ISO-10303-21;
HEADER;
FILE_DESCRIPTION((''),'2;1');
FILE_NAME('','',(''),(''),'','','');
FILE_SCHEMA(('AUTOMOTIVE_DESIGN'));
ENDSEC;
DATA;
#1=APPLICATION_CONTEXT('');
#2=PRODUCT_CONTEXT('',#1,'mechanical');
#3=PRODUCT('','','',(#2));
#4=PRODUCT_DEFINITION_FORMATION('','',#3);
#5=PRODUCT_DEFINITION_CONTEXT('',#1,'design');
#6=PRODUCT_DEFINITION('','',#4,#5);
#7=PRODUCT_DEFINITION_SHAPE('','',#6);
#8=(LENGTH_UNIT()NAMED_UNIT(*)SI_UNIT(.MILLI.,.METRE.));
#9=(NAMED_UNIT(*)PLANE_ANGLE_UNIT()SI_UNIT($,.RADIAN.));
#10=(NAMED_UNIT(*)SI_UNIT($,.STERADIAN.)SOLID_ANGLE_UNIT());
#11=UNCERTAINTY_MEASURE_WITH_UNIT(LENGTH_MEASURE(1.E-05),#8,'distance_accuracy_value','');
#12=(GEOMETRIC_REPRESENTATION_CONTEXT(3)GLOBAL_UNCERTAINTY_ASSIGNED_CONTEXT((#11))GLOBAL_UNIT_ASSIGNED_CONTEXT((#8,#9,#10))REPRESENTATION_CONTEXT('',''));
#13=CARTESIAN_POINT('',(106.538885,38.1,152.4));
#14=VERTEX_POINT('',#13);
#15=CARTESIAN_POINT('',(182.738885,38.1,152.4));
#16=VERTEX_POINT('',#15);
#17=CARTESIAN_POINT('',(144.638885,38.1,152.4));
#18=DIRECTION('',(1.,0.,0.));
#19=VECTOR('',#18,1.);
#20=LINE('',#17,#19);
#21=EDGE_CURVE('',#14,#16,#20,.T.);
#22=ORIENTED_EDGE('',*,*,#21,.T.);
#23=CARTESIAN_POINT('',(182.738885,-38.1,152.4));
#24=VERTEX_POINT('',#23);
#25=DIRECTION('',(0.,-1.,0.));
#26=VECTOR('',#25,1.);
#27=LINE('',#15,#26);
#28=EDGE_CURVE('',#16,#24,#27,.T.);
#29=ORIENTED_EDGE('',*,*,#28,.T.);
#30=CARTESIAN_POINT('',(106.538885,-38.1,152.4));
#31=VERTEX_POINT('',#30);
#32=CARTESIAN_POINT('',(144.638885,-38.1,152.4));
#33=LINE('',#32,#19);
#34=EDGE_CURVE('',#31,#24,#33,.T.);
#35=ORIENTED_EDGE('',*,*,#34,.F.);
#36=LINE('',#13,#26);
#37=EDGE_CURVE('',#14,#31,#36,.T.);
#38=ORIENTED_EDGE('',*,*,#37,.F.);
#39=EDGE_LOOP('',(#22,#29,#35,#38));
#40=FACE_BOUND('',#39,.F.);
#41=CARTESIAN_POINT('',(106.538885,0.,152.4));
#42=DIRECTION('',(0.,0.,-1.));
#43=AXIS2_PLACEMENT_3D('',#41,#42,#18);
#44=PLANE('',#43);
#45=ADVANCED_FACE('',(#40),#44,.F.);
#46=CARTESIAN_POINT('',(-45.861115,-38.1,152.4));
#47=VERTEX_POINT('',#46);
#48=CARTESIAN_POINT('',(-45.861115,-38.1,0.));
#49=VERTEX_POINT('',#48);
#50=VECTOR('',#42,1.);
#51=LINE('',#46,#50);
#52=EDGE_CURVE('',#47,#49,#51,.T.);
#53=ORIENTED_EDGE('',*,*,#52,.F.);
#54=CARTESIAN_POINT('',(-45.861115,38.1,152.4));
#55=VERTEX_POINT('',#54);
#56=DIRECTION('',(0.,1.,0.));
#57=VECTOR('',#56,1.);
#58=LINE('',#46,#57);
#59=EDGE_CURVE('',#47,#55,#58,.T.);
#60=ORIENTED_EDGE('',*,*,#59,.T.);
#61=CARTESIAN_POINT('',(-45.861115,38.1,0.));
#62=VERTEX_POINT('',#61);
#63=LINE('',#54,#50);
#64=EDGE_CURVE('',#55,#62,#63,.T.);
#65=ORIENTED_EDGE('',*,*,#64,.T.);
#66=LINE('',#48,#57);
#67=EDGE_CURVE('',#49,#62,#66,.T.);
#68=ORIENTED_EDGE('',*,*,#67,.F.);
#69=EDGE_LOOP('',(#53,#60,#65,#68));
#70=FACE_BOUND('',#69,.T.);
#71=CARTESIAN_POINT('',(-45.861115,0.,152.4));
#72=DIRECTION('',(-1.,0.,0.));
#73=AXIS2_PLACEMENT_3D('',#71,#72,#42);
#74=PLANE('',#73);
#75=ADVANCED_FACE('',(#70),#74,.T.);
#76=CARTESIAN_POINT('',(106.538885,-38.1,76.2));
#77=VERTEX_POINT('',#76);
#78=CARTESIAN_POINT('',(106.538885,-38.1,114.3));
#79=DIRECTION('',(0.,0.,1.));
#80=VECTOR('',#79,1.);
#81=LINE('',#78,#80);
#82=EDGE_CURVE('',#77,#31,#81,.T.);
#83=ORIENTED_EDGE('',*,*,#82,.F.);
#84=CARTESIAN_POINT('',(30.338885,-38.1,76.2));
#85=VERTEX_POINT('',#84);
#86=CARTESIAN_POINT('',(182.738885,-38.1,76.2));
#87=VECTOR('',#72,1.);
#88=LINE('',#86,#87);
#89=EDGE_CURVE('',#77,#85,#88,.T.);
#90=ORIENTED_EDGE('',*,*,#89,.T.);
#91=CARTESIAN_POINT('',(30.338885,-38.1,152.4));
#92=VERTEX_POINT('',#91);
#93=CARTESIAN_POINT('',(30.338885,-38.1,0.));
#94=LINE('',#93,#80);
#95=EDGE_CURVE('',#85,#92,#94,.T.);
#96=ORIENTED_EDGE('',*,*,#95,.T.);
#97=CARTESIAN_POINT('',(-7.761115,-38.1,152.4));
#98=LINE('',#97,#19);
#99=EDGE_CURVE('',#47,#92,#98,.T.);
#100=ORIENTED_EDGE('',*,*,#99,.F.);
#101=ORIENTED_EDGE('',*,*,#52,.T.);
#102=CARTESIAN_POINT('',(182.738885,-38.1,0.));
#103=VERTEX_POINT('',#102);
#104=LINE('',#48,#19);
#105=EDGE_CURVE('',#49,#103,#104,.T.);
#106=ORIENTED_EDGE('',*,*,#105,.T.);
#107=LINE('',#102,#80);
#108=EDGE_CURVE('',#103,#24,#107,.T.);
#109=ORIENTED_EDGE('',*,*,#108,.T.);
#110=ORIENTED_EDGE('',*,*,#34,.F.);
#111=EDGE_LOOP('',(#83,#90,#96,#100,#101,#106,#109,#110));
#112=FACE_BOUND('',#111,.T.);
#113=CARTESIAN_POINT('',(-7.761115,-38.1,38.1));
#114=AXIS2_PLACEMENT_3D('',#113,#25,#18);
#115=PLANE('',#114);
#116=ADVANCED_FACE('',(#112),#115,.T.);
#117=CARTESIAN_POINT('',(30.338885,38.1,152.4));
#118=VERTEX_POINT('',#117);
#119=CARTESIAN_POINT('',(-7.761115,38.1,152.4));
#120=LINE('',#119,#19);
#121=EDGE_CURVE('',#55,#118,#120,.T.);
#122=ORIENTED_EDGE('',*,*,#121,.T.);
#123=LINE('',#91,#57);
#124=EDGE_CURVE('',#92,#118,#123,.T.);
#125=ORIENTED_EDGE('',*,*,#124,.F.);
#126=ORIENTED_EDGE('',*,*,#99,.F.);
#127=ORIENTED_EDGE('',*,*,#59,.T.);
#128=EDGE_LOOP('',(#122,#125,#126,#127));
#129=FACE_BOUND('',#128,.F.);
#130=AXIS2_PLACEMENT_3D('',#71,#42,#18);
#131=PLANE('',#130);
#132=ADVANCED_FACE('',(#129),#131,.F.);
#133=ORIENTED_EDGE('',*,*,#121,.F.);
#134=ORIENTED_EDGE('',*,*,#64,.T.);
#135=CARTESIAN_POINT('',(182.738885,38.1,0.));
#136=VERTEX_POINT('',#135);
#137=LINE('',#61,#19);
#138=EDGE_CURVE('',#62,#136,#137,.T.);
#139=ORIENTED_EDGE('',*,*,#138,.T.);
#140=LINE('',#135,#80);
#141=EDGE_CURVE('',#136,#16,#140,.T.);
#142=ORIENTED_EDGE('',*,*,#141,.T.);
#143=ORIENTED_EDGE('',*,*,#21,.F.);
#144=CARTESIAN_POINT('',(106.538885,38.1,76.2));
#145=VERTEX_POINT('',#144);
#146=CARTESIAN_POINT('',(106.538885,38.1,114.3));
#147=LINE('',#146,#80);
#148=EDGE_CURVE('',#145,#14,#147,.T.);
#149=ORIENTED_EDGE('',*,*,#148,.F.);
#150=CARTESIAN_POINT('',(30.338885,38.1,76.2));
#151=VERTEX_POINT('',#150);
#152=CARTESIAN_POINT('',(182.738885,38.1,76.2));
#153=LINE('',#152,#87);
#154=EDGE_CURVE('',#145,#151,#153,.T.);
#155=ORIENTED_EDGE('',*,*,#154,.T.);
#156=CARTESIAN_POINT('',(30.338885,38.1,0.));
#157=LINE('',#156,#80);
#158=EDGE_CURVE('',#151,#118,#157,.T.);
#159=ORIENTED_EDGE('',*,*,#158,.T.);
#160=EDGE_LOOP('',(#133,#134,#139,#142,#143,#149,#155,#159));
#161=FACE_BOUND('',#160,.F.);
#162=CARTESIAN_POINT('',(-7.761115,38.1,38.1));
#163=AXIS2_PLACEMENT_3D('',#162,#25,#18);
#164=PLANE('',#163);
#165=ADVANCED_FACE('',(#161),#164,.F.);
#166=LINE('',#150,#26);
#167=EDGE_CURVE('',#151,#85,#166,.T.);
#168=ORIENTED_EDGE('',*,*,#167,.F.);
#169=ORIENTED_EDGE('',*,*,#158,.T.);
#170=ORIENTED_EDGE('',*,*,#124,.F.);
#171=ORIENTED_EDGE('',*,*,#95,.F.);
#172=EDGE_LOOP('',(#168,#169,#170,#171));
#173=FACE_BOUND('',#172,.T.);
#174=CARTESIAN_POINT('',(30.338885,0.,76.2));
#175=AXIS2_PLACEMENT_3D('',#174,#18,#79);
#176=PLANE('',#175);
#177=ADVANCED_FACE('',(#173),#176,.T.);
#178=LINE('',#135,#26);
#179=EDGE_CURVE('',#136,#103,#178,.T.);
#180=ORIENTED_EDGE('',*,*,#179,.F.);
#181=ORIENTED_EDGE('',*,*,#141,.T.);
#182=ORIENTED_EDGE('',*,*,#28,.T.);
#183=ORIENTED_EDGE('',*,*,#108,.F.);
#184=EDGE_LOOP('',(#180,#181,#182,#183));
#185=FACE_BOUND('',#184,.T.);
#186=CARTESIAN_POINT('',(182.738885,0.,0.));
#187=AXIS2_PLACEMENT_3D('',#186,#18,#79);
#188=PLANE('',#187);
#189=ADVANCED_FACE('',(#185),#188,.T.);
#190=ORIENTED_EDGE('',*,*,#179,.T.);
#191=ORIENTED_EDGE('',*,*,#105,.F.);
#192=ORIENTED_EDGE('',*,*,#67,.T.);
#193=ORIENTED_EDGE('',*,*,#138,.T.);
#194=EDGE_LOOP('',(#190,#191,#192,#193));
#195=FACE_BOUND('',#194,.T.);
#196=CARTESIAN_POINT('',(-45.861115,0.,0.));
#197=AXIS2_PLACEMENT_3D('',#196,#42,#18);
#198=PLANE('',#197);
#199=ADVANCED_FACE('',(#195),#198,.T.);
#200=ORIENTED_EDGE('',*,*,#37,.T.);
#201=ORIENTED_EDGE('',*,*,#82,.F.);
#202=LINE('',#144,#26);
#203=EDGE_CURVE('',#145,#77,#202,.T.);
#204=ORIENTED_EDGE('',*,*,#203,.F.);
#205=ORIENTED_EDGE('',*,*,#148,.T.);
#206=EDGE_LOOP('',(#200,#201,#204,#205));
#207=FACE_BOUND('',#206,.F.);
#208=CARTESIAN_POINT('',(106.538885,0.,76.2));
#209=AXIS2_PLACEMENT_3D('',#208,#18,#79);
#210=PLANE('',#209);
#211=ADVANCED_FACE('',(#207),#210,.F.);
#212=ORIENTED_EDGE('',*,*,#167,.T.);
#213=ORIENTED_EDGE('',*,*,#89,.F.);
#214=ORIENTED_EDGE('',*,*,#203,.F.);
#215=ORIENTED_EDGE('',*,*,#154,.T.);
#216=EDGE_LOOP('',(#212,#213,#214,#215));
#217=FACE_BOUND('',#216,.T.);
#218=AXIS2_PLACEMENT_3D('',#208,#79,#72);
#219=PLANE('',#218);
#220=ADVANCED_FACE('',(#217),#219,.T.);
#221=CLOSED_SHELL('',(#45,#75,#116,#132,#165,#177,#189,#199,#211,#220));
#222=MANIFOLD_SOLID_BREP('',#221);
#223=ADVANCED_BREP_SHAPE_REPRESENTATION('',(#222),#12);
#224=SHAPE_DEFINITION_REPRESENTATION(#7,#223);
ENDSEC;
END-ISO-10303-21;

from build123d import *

# Parameters (mm, degrees)
F0_W     = 76.2
F0_H     = 76.2
F1_DEPTH = 38.1


with BuildPart() as f1:
    # F0 (on Front) → F1 (new body, symmetric)
    with BuildSketch(Plane.XZ):
        with Locations((-7.761115, 38.1)):
            Rectangle(F0_W, F0_H)
        with Locations((-7.761115, 114.3)):
            Rectangle(F0_W, F0_H)
        with Locations((68.438885, 38.1)):
            Rectangle(F0_W, F0_H)
        with Locations((144.638885, 38.1)):
            Rectangle(F0_W, F0_H)
        with Locations((144.638885, 114.3)):
            Rectangle(F0_W, F0_H)
    extrude(amount=F1_DEPTH, both=True)


solid = f1.part
